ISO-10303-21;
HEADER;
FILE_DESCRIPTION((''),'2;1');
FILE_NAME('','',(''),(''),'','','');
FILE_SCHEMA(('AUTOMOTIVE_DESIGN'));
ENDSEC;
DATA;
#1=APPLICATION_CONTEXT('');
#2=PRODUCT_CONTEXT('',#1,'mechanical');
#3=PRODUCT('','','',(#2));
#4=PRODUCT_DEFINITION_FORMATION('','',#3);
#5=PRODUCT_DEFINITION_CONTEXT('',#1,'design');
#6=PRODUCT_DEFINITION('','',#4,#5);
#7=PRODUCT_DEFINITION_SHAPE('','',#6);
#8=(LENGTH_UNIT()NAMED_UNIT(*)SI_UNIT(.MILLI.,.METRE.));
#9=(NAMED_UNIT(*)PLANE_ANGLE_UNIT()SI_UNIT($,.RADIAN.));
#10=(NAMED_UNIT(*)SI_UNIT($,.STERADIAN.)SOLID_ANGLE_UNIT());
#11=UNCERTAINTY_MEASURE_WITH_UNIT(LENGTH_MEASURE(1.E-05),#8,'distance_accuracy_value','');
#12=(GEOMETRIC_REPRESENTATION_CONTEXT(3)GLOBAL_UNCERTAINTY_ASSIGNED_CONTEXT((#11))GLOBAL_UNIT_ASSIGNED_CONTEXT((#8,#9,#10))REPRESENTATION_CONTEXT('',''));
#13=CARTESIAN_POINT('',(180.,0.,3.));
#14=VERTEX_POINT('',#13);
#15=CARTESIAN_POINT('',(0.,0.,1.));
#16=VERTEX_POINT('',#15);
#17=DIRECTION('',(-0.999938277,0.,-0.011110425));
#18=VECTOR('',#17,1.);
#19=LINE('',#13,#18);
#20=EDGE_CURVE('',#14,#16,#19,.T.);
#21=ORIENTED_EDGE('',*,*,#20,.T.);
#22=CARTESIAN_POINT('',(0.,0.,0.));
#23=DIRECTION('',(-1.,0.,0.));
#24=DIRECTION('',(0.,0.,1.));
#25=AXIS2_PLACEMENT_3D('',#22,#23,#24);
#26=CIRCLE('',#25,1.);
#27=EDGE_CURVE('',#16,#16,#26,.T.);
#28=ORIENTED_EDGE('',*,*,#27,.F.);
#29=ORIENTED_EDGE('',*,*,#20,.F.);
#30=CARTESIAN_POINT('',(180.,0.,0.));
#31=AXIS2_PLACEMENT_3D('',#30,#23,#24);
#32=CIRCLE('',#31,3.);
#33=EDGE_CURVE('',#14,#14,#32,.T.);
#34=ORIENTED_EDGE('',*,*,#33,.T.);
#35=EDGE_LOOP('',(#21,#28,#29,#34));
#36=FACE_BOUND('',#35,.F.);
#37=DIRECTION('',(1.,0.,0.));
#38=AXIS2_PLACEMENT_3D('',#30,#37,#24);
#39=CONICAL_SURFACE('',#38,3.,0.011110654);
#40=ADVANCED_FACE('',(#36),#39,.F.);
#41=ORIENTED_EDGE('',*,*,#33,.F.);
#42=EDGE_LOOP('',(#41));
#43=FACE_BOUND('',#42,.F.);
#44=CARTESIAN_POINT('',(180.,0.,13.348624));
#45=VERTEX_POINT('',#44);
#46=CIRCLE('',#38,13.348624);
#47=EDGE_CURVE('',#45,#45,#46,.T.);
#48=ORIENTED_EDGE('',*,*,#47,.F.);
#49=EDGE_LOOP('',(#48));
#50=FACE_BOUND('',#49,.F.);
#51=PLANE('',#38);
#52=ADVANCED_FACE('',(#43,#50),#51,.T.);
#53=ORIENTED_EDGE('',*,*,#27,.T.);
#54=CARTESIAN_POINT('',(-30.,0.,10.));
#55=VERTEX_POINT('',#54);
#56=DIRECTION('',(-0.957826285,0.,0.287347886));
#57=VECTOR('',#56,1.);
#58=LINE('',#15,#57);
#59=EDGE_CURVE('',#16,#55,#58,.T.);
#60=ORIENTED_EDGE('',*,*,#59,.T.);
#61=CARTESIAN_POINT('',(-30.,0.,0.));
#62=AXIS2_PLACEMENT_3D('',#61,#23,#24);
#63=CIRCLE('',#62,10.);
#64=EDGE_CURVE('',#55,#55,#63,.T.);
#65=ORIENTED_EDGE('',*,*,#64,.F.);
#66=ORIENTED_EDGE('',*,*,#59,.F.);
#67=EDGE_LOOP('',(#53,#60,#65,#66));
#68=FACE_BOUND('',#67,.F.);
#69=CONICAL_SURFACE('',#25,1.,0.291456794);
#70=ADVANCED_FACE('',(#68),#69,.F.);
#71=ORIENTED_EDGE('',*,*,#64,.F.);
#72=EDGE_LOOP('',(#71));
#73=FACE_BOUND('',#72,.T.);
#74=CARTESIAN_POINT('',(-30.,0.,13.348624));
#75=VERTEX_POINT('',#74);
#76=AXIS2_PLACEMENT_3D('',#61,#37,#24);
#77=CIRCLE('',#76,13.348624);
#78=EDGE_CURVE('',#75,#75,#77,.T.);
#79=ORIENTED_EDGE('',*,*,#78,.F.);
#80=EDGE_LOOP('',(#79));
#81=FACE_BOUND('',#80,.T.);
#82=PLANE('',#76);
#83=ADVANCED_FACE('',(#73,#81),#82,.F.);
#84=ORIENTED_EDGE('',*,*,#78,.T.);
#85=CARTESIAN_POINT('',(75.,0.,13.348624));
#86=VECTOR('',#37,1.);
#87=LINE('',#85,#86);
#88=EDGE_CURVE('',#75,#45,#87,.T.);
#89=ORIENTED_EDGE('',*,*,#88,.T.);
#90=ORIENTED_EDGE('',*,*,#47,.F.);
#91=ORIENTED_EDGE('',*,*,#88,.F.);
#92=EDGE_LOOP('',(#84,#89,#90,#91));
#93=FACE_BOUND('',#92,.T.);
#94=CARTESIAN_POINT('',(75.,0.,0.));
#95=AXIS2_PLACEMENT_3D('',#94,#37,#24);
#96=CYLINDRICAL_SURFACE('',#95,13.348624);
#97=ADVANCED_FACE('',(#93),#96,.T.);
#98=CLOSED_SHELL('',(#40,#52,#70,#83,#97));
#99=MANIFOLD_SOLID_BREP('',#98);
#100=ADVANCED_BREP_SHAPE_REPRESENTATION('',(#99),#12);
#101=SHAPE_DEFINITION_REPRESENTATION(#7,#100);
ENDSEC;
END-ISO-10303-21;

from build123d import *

# Parameters (mm, degrees)
F0_W = 210
F0_H = 13.348624


with BuildPart() as f1:
    # F0 (on Front) → F1 (revolve)
    with BuildSketch(Plane.XZ):
        with Locations((75, 6.674312)):
            Rectangle(F0_W, F0_H)
    revolve(axis=Axis((75, 0, 0), (1, 0, 0)))

    # F2 (on Front) → F3 (revolve, cut)
    with BuildSketch(Plane.XZ):
        Polygon((0, 1), (-30, 10), (-30, 0), (180, 0), (180, 3), align=None)
    revolve(axis=Axis((75, 0, 0), (-1, 0, 0)), mode=Mode.SUBTRACT)


solid = f1.part
